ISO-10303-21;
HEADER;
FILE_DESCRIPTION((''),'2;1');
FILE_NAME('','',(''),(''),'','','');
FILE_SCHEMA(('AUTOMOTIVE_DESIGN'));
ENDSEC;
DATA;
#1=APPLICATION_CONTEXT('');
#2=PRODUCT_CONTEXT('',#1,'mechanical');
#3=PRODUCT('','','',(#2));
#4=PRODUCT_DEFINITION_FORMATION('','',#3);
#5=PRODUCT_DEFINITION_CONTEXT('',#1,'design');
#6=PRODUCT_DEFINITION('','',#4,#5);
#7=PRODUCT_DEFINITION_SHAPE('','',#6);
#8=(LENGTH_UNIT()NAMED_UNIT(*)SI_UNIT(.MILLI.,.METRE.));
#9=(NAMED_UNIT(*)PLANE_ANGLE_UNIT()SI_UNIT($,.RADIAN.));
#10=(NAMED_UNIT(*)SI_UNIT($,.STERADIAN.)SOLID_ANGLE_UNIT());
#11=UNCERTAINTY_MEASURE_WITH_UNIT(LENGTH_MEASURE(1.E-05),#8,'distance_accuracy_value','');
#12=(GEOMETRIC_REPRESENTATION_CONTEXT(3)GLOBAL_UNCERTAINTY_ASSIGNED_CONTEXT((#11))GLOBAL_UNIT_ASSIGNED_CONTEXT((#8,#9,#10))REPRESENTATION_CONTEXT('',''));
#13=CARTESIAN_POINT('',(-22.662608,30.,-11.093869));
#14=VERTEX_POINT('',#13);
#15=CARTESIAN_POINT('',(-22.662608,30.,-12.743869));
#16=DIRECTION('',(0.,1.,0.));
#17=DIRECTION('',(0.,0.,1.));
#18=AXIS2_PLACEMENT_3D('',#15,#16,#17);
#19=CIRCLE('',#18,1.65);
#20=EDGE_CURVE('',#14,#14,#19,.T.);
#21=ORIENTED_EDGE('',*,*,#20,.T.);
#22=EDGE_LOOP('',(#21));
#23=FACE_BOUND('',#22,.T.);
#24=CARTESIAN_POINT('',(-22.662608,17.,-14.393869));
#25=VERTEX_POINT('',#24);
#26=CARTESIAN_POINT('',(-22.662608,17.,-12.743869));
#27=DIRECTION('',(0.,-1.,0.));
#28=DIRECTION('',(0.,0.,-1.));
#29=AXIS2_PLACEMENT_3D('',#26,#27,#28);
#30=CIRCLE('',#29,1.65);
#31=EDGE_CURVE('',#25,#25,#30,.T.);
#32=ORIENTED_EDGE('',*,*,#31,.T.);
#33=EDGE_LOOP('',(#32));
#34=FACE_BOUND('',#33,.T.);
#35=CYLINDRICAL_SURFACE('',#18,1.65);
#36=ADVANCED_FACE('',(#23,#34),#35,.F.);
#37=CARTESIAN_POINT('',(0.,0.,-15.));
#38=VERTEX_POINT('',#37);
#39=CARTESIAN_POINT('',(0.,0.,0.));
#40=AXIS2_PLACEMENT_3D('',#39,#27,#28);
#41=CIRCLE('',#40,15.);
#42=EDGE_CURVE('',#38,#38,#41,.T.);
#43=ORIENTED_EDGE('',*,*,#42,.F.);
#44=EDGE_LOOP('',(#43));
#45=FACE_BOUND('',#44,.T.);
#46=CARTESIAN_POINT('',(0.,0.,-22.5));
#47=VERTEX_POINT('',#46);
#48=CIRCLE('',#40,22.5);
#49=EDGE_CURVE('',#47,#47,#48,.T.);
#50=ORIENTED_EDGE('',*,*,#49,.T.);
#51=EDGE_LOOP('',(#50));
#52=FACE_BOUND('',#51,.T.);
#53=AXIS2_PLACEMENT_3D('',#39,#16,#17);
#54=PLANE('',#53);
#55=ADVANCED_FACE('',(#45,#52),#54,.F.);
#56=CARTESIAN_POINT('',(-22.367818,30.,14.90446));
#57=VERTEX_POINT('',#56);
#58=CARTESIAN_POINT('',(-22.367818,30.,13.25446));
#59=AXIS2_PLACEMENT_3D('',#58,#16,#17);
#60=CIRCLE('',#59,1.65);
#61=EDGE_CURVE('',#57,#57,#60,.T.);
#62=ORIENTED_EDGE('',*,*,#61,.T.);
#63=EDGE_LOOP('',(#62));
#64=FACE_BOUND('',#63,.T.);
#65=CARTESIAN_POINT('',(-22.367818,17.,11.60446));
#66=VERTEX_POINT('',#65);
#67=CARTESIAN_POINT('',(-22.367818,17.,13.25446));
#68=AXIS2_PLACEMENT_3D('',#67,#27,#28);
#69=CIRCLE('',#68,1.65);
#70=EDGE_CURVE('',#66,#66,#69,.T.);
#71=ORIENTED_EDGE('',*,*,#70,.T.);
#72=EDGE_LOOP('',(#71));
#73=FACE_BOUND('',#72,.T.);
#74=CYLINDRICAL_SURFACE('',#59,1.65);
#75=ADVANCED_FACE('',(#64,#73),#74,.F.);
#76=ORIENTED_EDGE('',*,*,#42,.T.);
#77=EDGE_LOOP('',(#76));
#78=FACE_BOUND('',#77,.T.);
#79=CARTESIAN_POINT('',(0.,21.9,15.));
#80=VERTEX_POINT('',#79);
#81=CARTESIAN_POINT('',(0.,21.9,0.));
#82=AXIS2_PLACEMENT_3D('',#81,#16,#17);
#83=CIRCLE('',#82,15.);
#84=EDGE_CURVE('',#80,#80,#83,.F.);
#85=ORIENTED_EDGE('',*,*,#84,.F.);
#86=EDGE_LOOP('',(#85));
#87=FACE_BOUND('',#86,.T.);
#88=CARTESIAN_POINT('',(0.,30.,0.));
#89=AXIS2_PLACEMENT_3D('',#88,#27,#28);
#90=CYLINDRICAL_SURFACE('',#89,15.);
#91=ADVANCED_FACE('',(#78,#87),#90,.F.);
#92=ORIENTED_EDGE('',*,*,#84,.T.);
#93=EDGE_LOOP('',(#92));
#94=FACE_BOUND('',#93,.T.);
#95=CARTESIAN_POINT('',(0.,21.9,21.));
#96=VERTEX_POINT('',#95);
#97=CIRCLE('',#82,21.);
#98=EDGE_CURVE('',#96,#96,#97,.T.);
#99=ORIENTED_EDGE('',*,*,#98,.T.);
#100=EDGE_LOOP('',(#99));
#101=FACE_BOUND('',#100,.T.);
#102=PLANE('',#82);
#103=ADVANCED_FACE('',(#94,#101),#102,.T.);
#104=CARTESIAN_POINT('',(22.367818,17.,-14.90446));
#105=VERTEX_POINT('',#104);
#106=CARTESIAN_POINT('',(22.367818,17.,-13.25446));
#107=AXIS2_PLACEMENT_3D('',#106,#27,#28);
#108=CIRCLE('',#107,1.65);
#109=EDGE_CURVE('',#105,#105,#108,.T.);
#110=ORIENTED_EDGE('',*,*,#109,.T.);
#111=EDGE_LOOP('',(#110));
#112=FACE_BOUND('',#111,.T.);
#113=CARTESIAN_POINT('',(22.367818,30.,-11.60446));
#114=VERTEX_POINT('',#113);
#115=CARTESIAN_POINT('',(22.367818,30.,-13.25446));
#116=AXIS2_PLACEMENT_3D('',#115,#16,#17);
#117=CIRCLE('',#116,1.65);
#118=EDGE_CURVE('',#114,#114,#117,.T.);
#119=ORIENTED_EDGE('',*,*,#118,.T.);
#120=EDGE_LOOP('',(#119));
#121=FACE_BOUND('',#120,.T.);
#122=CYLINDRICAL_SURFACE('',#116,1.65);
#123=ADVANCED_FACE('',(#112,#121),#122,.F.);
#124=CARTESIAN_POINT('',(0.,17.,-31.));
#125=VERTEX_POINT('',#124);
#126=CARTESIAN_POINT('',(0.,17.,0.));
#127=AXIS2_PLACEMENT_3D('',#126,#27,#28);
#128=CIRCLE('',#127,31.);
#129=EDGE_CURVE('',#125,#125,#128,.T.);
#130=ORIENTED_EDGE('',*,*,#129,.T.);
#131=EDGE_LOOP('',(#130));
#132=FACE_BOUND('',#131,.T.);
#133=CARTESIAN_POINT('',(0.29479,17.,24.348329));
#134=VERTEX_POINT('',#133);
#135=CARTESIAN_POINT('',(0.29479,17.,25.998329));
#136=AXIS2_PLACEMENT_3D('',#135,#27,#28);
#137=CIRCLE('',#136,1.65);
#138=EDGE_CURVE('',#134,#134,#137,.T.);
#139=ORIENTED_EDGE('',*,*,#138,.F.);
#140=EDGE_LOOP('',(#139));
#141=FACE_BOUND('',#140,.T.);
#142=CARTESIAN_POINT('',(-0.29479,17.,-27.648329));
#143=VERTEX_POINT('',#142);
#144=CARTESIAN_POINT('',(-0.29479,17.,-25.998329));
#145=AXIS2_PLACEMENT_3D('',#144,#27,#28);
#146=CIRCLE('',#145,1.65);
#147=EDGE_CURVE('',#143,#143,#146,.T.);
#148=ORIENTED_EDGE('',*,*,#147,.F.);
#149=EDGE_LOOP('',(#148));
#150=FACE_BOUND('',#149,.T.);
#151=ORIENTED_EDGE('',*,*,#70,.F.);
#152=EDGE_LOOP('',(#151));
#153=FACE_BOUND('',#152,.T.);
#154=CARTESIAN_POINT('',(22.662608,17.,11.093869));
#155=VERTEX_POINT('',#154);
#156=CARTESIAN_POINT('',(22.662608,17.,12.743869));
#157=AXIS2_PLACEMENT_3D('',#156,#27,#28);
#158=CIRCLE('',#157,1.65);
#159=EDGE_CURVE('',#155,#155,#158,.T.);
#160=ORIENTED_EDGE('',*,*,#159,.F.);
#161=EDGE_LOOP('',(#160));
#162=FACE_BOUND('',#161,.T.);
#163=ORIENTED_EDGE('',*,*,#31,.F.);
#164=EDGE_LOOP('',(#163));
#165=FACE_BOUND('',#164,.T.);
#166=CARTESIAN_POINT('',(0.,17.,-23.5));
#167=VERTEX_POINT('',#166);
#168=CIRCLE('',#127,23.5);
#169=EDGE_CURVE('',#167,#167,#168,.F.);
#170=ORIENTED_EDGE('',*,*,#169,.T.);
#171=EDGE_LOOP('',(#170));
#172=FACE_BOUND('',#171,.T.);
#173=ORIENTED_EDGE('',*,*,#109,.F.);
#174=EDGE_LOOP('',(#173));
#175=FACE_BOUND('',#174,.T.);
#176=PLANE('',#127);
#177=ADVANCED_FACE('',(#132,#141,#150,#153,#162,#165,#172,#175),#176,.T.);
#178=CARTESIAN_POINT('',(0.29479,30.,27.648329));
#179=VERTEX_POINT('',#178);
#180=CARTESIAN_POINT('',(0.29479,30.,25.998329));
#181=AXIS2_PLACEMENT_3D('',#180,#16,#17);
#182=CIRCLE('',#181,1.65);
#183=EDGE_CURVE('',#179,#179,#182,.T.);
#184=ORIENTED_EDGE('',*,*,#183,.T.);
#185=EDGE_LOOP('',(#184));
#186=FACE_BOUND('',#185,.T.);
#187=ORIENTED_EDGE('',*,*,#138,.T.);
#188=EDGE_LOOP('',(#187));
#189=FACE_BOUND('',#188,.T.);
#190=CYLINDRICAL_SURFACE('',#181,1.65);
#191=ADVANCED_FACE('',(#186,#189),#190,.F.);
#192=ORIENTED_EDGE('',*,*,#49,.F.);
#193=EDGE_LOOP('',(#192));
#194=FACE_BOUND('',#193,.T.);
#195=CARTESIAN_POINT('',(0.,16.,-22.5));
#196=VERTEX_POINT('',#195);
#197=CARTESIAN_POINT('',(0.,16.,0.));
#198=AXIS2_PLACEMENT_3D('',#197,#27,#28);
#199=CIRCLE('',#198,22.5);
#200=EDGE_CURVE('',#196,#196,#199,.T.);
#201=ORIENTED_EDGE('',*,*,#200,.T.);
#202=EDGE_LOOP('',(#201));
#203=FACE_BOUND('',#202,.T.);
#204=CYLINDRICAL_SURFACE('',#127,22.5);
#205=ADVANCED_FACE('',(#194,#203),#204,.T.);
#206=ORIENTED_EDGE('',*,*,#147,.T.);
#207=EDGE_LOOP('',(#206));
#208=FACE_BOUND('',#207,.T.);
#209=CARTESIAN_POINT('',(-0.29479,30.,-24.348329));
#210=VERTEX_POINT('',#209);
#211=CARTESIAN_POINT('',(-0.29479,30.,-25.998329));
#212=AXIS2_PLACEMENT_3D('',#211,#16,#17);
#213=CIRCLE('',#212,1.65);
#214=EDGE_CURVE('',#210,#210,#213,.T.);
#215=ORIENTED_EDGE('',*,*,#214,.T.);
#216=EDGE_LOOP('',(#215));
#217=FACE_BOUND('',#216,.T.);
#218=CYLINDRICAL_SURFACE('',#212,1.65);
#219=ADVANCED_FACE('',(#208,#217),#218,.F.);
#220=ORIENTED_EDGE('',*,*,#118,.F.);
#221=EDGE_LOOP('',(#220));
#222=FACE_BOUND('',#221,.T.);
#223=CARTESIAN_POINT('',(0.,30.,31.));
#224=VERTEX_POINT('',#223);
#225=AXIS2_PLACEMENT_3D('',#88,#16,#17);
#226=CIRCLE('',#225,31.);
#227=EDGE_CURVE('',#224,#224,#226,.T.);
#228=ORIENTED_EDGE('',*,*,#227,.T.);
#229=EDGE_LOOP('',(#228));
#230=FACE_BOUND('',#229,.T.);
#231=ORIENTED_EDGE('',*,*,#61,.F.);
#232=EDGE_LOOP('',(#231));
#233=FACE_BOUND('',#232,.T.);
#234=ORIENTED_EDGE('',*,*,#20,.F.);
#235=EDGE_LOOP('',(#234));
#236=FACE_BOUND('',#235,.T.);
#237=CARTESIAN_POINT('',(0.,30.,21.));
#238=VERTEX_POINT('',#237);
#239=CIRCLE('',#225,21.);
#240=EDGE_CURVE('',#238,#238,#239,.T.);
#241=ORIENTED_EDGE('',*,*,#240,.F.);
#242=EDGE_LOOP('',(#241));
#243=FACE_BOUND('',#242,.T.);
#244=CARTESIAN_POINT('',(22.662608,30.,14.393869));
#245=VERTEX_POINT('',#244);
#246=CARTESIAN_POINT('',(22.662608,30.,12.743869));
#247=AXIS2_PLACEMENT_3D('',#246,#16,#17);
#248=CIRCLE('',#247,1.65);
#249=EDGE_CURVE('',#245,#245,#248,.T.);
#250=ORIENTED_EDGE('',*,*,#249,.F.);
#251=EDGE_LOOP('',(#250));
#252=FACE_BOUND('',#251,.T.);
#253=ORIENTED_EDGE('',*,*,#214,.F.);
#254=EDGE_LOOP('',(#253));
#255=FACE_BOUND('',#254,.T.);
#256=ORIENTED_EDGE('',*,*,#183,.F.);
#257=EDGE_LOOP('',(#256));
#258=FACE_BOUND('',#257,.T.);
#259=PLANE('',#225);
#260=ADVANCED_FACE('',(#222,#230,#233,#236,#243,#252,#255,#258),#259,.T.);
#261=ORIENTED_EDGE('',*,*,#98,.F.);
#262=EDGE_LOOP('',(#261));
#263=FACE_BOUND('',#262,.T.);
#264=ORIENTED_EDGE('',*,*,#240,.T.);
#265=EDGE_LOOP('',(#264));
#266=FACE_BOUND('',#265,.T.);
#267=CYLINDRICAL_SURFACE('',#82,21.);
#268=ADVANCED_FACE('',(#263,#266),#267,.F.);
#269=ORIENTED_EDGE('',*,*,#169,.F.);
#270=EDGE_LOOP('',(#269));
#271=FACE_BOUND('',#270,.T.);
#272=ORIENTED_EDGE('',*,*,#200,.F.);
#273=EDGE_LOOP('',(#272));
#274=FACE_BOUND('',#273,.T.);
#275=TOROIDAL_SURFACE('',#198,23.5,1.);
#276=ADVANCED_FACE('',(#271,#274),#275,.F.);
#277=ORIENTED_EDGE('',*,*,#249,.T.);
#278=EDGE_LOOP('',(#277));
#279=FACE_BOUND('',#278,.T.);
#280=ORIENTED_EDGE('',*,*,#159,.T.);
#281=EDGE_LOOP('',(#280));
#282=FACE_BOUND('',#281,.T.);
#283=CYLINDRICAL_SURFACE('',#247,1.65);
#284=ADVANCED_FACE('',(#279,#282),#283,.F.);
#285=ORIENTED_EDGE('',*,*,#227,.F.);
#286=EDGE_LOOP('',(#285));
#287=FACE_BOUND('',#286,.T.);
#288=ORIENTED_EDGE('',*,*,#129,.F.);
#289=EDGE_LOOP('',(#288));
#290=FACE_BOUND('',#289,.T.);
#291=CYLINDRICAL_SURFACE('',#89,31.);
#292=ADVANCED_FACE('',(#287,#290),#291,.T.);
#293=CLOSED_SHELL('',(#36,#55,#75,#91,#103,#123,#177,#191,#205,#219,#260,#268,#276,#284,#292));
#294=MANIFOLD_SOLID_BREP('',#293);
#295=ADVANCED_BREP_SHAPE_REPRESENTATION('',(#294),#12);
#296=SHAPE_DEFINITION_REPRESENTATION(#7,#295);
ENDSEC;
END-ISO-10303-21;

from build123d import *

# Parameters (mm, degrees)
ESBO_O1_R                = 31
RESSALTO_EXTRUS_O1_DEPTH = 30
ESBO_O2_R                = 31
ESBO_O2_R_2              = 22.5
CORTE_EXTRUS_O1_DEPTH    = 17
ESBO_O2_3_R              = 15
CORTE_EXTRUS_O2_DEPTH    = 54.122499941
ESBO_O4_R                = 21
CORTE_EXTRUS_O3_DEPTH    = 8.1
FURO_ROSCADO_DE_M41_D    = 3.3
FILETE1_R                = 1


with BuildPart() as part:
    # Esboço1 → Ressalto-extrusão1 (new body)
    with BuildSketch(Plane(origin=(0, 0, 0), x_dir=(1, 0, 0), z_dir=(0, 1, 0))):
        Circle(ESBO_O1_R)
    extrude(amount=RESSALTO_EXTRUS_O1_DEPTH)

    # Esboço2 → Corte-extrusão1 (cut)
    with BuildSketch(Plane.XZ):
        Circle(ESBO_O2_R)
        Circle(ESBO_O2_R_2, mode=Mode.SUBTRACT)
    extrude(amount=-CORTE_EXTRUS_O1_DEPTH, mode=Mode.SUBTRACT)

    # Esboço2<3> → Corte-extrusão2 (cut, through all)
    with BuildSketch(Plane.XZ):
        Circle(ESBO_O2_3_R)
    extrude(amount=-CORTE_EXTRUS_O2_DEPTH, mode=Mode.SUBTRACT)

    # Esboço4 → Corte-extrusão3 (cut)
    with BuildSketch(Plane(origin=(0, 30, 0), x_dir=(1, 0, 0), z_dir=(0, 1, 0))):
        Circle(ESBO_O4_R)
    extrude(amount=-CORTE_EXTRUS_O3_DEPTH, mode=Mode.SUBTRACT)

    # Furo roscado de M41 (through all)
    with Locations(Plane(origin=(0, 30, 0), x_dir=(1, 0, 0), z_dir=(0, 1, 0))):
        with Locations((-0.294790254, 25.998328768), (22.367818042, 13.254460232), (22.662608295, -12.743868535), (0.294790254, -25.998328768), (-22.367818042, -13.254460232), (-22.662608295, 12.743868535)):
            Hole(FURO_ROSCADO_DE_M41_D / 2)

    # Filete1
    filete1_edges = [part.edges().sort_by_distance(p)[0] for p in [
        (-22.5, 17, 0),
    ]]
    fillet(filete1_edges, radius=FILETE1_R)


solid = part.part
